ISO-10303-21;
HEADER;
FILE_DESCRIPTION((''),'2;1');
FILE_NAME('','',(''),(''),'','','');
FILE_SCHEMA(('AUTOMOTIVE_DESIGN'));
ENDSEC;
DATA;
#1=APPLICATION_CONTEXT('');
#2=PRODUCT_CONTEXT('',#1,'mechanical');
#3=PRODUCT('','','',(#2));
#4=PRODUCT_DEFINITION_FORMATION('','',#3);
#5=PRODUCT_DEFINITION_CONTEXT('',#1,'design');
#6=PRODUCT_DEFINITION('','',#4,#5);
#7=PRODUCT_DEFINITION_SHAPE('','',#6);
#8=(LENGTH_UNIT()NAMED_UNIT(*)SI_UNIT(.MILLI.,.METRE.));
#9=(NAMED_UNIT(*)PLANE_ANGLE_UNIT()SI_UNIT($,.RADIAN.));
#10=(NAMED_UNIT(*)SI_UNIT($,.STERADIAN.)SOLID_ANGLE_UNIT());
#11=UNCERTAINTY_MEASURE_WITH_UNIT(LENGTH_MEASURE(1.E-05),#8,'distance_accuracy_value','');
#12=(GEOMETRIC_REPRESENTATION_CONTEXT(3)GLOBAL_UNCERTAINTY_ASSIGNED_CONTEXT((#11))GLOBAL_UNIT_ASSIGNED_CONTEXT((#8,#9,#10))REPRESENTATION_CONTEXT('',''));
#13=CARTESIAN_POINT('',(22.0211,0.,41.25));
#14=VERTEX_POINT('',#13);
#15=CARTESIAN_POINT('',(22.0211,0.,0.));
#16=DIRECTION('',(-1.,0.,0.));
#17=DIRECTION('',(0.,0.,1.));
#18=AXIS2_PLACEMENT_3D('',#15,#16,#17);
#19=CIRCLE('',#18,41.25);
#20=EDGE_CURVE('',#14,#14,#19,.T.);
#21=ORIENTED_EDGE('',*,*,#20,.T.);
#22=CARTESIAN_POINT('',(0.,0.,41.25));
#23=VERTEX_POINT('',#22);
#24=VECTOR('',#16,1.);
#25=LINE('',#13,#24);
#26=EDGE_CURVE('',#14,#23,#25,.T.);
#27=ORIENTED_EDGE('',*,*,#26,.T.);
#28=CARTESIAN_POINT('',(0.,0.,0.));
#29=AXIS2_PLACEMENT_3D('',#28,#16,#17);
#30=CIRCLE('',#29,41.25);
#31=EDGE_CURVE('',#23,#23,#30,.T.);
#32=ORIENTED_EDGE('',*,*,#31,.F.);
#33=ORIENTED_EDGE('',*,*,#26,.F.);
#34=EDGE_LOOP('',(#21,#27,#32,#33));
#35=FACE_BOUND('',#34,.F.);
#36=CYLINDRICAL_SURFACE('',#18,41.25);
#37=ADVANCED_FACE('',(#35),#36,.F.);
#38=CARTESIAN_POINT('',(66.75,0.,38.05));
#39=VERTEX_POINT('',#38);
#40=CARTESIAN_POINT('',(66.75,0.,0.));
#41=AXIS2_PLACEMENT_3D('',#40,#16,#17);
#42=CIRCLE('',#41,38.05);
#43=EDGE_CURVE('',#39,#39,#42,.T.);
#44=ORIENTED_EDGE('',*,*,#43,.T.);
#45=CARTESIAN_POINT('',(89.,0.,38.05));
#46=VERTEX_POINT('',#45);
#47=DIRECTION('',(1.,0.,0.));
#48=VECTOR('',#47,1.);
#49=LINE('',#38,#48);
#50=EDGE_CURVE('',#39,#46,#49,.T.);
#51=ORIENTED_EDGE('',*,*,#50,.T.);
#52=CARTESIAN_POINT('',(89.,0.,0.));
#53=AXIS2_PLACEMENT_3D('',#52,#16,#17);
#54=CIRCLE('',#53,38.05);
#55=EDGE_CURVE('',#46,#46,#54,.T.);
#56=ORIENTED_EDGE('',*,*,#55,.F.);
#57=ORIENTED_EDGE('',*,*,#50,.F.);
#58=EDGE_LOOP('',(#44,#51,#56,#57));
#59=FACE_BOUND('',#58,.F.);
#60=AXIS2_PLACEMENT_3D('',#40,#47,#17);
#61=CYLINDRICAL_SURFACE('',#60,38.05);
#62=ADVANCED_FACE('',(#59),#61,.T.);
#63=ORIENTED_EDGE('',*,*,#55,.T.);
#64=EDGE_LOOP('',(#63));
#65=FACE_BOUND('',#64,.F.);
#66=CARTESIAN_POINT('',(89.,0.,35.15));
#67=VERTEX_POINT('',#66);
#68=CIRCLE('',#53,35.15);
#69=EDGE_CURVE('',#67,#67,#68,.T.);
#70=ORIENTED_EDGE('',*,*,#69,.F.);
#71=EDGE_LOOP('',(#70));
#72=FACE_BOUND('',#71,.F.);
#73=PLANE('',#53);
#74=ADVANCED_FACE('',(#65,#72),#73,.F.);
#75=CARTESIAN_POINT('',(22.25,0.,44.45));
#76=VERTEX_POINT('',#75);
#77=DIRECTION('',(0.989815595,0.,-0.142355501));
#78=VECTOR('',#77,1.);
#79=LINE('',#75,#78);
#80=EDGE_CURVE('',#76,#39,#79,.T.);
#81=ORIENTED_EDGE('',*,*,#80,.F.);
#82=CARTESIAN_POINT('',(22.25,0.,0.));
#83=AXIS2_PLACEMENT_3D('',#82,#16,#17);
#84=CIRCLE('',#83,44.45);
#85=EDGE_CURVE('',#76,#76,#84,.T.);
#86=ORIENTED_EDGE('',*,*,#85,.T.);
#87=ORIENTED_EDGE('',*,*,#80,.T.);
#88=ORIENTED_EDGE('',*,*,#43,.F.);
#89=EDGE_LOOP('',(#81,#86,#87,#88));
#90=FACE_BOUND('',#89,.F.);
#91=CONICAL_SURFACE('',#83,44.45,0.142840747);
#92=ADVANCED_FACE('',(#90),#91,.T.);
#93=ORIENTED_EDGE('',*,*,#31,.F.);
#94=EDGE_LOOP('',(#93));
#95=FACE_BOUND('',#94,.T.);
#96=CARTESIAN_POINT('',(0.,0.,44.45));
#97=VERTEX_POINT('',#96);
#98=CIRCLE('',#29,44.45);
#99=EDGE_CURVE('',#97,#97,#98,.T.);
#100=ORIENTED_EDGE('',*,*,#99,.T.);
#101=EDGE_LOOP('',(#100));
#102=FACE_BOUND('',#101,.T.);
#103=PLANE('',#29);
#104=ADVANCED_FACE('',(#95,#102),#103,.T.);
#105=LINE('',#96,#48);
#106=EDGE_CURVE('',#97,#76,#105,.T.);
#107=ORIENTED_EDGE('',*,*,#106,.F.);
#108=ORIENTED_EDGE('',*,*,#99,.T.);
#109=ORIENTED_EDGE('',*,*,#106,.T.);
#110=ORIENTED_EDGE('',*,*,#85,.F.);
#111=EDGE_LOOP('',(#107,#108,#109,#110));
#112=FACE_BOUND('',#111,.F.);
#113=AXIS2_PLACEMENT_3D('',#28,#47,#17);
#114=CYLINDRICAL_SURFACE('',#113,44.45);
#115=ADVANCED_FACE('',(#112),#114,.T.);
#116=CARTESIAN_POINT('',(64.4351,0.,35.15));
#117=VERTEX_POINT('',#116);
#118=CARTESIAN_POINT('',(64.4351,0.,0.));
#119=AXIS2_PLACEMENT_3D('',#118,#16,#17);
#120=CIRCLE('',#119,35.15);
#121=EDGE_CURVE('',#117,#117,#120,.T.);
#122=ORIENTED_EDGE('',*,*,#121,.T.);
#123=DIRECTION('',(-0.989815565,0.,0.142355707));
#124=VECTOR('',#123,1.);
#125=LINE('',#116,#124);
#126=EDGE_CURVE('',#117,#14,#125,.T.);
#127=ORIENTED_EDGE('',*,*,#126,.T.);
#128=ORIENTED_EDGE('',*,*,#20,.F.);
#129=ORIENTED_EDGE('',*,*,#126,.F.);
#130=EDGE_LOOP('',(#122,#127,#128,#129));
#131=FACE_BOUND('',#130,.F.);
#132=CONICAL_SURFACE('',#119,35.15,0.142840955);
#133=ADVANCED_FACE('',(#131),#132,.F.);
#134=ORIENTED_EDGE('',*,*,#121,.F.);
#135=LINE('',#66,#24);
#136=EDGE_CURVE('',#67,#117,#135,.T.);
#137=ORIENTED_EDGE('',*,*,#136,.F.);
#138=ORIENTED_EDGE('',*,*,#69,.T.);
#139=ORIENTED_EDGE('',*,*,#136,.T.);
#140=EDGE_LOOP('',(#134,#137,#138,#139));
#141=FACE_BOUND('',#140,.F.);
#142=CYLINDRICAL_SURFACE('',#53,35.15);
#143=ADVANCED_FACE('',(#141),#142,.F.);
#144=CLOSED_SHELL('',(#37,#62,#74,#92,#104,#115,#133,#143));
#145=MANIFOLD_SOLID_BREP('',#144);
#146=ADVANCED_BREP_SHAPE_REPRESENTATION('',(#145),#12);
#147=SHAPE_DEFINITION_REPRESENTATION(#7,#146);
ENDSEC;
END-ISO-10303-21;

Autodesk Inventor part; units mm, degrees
ref_plane "YZ Plane" through (0, 0, 0) normal (1, 0, 0) x (0, 1, 0)
ref_plane "XZ Plane" through (0, 0, 0) normal (0, 1, 0) x (-1, 0, 0)
ref_plane "XY Plane" through (0, 0, 0) normal (0, 0, 1) x (1, 0, 0)
sketch "Sketch1" plane through (0, 0, 0) normal (0, 1, 0) x (-1, 0, 0)
  line L0 (0, 44.45) -> (-22.25, 44.45)
  line L1 (-22.25, 44.45) -> (-66.75, 38.05)
  line L2 (-66.75, 38.05) -> (-89, 38.05)
  line L3 (-89, 0) -> (0, 0)
  line L4 (-89, 35.15) -> (-64.4351, 35.15)
  line L5 (-64.4351, 35.15) -> (-22.0211, 41.25)
  line L6 (-22.0211, 41.25) -> (0, 41.25)
  line L7 (-89, 0) -> (-89, 35.15) construction
  line L8 (-89, 38.05) -> (-89, 35.15)
  line L9 (0, 44.45) -> (0, 41.25)
  line L10 (0, 0) -> (0, 41.25) construction
  dimension "d0" = 88.9
  dimension "d1" = 76.1
  dimension "d2" = 3.2
  dimension "d3" = 2.9
  dimension "d4" = 89
  dimension "d5" = 22.25
  dimension "d6" = 22.25
  dimension "d7" = 3.2
revolve "Revolution1" add sketch "Sketch1" angle 360 about axis through (89, 0, 0) along (-1, 0, 0)
equation "\"d0\" = D"
equation "\"d1\" = D1"
equation "\"d2\" = T"
equation "\"d3\" = T1"
equation "\"d4\" = L"
equation "\"d5\" = 0.25 * L"
equation "\"d6\" = 0.25 * L"
equation "\"d7\" = T"
equation "\"T\" = 3.2"
equation "\"D\" = 88.9"
equation "\"D1\" = 76.1"
equation "\"L\" = 89"
equation "\"T1\" = 2.9"
equation "\"Size_Designation\" = 1.2345"
properties part number "ISO 5251 Concentric reducers DN80 x DN65 3,2" material "Stainless Steel"
